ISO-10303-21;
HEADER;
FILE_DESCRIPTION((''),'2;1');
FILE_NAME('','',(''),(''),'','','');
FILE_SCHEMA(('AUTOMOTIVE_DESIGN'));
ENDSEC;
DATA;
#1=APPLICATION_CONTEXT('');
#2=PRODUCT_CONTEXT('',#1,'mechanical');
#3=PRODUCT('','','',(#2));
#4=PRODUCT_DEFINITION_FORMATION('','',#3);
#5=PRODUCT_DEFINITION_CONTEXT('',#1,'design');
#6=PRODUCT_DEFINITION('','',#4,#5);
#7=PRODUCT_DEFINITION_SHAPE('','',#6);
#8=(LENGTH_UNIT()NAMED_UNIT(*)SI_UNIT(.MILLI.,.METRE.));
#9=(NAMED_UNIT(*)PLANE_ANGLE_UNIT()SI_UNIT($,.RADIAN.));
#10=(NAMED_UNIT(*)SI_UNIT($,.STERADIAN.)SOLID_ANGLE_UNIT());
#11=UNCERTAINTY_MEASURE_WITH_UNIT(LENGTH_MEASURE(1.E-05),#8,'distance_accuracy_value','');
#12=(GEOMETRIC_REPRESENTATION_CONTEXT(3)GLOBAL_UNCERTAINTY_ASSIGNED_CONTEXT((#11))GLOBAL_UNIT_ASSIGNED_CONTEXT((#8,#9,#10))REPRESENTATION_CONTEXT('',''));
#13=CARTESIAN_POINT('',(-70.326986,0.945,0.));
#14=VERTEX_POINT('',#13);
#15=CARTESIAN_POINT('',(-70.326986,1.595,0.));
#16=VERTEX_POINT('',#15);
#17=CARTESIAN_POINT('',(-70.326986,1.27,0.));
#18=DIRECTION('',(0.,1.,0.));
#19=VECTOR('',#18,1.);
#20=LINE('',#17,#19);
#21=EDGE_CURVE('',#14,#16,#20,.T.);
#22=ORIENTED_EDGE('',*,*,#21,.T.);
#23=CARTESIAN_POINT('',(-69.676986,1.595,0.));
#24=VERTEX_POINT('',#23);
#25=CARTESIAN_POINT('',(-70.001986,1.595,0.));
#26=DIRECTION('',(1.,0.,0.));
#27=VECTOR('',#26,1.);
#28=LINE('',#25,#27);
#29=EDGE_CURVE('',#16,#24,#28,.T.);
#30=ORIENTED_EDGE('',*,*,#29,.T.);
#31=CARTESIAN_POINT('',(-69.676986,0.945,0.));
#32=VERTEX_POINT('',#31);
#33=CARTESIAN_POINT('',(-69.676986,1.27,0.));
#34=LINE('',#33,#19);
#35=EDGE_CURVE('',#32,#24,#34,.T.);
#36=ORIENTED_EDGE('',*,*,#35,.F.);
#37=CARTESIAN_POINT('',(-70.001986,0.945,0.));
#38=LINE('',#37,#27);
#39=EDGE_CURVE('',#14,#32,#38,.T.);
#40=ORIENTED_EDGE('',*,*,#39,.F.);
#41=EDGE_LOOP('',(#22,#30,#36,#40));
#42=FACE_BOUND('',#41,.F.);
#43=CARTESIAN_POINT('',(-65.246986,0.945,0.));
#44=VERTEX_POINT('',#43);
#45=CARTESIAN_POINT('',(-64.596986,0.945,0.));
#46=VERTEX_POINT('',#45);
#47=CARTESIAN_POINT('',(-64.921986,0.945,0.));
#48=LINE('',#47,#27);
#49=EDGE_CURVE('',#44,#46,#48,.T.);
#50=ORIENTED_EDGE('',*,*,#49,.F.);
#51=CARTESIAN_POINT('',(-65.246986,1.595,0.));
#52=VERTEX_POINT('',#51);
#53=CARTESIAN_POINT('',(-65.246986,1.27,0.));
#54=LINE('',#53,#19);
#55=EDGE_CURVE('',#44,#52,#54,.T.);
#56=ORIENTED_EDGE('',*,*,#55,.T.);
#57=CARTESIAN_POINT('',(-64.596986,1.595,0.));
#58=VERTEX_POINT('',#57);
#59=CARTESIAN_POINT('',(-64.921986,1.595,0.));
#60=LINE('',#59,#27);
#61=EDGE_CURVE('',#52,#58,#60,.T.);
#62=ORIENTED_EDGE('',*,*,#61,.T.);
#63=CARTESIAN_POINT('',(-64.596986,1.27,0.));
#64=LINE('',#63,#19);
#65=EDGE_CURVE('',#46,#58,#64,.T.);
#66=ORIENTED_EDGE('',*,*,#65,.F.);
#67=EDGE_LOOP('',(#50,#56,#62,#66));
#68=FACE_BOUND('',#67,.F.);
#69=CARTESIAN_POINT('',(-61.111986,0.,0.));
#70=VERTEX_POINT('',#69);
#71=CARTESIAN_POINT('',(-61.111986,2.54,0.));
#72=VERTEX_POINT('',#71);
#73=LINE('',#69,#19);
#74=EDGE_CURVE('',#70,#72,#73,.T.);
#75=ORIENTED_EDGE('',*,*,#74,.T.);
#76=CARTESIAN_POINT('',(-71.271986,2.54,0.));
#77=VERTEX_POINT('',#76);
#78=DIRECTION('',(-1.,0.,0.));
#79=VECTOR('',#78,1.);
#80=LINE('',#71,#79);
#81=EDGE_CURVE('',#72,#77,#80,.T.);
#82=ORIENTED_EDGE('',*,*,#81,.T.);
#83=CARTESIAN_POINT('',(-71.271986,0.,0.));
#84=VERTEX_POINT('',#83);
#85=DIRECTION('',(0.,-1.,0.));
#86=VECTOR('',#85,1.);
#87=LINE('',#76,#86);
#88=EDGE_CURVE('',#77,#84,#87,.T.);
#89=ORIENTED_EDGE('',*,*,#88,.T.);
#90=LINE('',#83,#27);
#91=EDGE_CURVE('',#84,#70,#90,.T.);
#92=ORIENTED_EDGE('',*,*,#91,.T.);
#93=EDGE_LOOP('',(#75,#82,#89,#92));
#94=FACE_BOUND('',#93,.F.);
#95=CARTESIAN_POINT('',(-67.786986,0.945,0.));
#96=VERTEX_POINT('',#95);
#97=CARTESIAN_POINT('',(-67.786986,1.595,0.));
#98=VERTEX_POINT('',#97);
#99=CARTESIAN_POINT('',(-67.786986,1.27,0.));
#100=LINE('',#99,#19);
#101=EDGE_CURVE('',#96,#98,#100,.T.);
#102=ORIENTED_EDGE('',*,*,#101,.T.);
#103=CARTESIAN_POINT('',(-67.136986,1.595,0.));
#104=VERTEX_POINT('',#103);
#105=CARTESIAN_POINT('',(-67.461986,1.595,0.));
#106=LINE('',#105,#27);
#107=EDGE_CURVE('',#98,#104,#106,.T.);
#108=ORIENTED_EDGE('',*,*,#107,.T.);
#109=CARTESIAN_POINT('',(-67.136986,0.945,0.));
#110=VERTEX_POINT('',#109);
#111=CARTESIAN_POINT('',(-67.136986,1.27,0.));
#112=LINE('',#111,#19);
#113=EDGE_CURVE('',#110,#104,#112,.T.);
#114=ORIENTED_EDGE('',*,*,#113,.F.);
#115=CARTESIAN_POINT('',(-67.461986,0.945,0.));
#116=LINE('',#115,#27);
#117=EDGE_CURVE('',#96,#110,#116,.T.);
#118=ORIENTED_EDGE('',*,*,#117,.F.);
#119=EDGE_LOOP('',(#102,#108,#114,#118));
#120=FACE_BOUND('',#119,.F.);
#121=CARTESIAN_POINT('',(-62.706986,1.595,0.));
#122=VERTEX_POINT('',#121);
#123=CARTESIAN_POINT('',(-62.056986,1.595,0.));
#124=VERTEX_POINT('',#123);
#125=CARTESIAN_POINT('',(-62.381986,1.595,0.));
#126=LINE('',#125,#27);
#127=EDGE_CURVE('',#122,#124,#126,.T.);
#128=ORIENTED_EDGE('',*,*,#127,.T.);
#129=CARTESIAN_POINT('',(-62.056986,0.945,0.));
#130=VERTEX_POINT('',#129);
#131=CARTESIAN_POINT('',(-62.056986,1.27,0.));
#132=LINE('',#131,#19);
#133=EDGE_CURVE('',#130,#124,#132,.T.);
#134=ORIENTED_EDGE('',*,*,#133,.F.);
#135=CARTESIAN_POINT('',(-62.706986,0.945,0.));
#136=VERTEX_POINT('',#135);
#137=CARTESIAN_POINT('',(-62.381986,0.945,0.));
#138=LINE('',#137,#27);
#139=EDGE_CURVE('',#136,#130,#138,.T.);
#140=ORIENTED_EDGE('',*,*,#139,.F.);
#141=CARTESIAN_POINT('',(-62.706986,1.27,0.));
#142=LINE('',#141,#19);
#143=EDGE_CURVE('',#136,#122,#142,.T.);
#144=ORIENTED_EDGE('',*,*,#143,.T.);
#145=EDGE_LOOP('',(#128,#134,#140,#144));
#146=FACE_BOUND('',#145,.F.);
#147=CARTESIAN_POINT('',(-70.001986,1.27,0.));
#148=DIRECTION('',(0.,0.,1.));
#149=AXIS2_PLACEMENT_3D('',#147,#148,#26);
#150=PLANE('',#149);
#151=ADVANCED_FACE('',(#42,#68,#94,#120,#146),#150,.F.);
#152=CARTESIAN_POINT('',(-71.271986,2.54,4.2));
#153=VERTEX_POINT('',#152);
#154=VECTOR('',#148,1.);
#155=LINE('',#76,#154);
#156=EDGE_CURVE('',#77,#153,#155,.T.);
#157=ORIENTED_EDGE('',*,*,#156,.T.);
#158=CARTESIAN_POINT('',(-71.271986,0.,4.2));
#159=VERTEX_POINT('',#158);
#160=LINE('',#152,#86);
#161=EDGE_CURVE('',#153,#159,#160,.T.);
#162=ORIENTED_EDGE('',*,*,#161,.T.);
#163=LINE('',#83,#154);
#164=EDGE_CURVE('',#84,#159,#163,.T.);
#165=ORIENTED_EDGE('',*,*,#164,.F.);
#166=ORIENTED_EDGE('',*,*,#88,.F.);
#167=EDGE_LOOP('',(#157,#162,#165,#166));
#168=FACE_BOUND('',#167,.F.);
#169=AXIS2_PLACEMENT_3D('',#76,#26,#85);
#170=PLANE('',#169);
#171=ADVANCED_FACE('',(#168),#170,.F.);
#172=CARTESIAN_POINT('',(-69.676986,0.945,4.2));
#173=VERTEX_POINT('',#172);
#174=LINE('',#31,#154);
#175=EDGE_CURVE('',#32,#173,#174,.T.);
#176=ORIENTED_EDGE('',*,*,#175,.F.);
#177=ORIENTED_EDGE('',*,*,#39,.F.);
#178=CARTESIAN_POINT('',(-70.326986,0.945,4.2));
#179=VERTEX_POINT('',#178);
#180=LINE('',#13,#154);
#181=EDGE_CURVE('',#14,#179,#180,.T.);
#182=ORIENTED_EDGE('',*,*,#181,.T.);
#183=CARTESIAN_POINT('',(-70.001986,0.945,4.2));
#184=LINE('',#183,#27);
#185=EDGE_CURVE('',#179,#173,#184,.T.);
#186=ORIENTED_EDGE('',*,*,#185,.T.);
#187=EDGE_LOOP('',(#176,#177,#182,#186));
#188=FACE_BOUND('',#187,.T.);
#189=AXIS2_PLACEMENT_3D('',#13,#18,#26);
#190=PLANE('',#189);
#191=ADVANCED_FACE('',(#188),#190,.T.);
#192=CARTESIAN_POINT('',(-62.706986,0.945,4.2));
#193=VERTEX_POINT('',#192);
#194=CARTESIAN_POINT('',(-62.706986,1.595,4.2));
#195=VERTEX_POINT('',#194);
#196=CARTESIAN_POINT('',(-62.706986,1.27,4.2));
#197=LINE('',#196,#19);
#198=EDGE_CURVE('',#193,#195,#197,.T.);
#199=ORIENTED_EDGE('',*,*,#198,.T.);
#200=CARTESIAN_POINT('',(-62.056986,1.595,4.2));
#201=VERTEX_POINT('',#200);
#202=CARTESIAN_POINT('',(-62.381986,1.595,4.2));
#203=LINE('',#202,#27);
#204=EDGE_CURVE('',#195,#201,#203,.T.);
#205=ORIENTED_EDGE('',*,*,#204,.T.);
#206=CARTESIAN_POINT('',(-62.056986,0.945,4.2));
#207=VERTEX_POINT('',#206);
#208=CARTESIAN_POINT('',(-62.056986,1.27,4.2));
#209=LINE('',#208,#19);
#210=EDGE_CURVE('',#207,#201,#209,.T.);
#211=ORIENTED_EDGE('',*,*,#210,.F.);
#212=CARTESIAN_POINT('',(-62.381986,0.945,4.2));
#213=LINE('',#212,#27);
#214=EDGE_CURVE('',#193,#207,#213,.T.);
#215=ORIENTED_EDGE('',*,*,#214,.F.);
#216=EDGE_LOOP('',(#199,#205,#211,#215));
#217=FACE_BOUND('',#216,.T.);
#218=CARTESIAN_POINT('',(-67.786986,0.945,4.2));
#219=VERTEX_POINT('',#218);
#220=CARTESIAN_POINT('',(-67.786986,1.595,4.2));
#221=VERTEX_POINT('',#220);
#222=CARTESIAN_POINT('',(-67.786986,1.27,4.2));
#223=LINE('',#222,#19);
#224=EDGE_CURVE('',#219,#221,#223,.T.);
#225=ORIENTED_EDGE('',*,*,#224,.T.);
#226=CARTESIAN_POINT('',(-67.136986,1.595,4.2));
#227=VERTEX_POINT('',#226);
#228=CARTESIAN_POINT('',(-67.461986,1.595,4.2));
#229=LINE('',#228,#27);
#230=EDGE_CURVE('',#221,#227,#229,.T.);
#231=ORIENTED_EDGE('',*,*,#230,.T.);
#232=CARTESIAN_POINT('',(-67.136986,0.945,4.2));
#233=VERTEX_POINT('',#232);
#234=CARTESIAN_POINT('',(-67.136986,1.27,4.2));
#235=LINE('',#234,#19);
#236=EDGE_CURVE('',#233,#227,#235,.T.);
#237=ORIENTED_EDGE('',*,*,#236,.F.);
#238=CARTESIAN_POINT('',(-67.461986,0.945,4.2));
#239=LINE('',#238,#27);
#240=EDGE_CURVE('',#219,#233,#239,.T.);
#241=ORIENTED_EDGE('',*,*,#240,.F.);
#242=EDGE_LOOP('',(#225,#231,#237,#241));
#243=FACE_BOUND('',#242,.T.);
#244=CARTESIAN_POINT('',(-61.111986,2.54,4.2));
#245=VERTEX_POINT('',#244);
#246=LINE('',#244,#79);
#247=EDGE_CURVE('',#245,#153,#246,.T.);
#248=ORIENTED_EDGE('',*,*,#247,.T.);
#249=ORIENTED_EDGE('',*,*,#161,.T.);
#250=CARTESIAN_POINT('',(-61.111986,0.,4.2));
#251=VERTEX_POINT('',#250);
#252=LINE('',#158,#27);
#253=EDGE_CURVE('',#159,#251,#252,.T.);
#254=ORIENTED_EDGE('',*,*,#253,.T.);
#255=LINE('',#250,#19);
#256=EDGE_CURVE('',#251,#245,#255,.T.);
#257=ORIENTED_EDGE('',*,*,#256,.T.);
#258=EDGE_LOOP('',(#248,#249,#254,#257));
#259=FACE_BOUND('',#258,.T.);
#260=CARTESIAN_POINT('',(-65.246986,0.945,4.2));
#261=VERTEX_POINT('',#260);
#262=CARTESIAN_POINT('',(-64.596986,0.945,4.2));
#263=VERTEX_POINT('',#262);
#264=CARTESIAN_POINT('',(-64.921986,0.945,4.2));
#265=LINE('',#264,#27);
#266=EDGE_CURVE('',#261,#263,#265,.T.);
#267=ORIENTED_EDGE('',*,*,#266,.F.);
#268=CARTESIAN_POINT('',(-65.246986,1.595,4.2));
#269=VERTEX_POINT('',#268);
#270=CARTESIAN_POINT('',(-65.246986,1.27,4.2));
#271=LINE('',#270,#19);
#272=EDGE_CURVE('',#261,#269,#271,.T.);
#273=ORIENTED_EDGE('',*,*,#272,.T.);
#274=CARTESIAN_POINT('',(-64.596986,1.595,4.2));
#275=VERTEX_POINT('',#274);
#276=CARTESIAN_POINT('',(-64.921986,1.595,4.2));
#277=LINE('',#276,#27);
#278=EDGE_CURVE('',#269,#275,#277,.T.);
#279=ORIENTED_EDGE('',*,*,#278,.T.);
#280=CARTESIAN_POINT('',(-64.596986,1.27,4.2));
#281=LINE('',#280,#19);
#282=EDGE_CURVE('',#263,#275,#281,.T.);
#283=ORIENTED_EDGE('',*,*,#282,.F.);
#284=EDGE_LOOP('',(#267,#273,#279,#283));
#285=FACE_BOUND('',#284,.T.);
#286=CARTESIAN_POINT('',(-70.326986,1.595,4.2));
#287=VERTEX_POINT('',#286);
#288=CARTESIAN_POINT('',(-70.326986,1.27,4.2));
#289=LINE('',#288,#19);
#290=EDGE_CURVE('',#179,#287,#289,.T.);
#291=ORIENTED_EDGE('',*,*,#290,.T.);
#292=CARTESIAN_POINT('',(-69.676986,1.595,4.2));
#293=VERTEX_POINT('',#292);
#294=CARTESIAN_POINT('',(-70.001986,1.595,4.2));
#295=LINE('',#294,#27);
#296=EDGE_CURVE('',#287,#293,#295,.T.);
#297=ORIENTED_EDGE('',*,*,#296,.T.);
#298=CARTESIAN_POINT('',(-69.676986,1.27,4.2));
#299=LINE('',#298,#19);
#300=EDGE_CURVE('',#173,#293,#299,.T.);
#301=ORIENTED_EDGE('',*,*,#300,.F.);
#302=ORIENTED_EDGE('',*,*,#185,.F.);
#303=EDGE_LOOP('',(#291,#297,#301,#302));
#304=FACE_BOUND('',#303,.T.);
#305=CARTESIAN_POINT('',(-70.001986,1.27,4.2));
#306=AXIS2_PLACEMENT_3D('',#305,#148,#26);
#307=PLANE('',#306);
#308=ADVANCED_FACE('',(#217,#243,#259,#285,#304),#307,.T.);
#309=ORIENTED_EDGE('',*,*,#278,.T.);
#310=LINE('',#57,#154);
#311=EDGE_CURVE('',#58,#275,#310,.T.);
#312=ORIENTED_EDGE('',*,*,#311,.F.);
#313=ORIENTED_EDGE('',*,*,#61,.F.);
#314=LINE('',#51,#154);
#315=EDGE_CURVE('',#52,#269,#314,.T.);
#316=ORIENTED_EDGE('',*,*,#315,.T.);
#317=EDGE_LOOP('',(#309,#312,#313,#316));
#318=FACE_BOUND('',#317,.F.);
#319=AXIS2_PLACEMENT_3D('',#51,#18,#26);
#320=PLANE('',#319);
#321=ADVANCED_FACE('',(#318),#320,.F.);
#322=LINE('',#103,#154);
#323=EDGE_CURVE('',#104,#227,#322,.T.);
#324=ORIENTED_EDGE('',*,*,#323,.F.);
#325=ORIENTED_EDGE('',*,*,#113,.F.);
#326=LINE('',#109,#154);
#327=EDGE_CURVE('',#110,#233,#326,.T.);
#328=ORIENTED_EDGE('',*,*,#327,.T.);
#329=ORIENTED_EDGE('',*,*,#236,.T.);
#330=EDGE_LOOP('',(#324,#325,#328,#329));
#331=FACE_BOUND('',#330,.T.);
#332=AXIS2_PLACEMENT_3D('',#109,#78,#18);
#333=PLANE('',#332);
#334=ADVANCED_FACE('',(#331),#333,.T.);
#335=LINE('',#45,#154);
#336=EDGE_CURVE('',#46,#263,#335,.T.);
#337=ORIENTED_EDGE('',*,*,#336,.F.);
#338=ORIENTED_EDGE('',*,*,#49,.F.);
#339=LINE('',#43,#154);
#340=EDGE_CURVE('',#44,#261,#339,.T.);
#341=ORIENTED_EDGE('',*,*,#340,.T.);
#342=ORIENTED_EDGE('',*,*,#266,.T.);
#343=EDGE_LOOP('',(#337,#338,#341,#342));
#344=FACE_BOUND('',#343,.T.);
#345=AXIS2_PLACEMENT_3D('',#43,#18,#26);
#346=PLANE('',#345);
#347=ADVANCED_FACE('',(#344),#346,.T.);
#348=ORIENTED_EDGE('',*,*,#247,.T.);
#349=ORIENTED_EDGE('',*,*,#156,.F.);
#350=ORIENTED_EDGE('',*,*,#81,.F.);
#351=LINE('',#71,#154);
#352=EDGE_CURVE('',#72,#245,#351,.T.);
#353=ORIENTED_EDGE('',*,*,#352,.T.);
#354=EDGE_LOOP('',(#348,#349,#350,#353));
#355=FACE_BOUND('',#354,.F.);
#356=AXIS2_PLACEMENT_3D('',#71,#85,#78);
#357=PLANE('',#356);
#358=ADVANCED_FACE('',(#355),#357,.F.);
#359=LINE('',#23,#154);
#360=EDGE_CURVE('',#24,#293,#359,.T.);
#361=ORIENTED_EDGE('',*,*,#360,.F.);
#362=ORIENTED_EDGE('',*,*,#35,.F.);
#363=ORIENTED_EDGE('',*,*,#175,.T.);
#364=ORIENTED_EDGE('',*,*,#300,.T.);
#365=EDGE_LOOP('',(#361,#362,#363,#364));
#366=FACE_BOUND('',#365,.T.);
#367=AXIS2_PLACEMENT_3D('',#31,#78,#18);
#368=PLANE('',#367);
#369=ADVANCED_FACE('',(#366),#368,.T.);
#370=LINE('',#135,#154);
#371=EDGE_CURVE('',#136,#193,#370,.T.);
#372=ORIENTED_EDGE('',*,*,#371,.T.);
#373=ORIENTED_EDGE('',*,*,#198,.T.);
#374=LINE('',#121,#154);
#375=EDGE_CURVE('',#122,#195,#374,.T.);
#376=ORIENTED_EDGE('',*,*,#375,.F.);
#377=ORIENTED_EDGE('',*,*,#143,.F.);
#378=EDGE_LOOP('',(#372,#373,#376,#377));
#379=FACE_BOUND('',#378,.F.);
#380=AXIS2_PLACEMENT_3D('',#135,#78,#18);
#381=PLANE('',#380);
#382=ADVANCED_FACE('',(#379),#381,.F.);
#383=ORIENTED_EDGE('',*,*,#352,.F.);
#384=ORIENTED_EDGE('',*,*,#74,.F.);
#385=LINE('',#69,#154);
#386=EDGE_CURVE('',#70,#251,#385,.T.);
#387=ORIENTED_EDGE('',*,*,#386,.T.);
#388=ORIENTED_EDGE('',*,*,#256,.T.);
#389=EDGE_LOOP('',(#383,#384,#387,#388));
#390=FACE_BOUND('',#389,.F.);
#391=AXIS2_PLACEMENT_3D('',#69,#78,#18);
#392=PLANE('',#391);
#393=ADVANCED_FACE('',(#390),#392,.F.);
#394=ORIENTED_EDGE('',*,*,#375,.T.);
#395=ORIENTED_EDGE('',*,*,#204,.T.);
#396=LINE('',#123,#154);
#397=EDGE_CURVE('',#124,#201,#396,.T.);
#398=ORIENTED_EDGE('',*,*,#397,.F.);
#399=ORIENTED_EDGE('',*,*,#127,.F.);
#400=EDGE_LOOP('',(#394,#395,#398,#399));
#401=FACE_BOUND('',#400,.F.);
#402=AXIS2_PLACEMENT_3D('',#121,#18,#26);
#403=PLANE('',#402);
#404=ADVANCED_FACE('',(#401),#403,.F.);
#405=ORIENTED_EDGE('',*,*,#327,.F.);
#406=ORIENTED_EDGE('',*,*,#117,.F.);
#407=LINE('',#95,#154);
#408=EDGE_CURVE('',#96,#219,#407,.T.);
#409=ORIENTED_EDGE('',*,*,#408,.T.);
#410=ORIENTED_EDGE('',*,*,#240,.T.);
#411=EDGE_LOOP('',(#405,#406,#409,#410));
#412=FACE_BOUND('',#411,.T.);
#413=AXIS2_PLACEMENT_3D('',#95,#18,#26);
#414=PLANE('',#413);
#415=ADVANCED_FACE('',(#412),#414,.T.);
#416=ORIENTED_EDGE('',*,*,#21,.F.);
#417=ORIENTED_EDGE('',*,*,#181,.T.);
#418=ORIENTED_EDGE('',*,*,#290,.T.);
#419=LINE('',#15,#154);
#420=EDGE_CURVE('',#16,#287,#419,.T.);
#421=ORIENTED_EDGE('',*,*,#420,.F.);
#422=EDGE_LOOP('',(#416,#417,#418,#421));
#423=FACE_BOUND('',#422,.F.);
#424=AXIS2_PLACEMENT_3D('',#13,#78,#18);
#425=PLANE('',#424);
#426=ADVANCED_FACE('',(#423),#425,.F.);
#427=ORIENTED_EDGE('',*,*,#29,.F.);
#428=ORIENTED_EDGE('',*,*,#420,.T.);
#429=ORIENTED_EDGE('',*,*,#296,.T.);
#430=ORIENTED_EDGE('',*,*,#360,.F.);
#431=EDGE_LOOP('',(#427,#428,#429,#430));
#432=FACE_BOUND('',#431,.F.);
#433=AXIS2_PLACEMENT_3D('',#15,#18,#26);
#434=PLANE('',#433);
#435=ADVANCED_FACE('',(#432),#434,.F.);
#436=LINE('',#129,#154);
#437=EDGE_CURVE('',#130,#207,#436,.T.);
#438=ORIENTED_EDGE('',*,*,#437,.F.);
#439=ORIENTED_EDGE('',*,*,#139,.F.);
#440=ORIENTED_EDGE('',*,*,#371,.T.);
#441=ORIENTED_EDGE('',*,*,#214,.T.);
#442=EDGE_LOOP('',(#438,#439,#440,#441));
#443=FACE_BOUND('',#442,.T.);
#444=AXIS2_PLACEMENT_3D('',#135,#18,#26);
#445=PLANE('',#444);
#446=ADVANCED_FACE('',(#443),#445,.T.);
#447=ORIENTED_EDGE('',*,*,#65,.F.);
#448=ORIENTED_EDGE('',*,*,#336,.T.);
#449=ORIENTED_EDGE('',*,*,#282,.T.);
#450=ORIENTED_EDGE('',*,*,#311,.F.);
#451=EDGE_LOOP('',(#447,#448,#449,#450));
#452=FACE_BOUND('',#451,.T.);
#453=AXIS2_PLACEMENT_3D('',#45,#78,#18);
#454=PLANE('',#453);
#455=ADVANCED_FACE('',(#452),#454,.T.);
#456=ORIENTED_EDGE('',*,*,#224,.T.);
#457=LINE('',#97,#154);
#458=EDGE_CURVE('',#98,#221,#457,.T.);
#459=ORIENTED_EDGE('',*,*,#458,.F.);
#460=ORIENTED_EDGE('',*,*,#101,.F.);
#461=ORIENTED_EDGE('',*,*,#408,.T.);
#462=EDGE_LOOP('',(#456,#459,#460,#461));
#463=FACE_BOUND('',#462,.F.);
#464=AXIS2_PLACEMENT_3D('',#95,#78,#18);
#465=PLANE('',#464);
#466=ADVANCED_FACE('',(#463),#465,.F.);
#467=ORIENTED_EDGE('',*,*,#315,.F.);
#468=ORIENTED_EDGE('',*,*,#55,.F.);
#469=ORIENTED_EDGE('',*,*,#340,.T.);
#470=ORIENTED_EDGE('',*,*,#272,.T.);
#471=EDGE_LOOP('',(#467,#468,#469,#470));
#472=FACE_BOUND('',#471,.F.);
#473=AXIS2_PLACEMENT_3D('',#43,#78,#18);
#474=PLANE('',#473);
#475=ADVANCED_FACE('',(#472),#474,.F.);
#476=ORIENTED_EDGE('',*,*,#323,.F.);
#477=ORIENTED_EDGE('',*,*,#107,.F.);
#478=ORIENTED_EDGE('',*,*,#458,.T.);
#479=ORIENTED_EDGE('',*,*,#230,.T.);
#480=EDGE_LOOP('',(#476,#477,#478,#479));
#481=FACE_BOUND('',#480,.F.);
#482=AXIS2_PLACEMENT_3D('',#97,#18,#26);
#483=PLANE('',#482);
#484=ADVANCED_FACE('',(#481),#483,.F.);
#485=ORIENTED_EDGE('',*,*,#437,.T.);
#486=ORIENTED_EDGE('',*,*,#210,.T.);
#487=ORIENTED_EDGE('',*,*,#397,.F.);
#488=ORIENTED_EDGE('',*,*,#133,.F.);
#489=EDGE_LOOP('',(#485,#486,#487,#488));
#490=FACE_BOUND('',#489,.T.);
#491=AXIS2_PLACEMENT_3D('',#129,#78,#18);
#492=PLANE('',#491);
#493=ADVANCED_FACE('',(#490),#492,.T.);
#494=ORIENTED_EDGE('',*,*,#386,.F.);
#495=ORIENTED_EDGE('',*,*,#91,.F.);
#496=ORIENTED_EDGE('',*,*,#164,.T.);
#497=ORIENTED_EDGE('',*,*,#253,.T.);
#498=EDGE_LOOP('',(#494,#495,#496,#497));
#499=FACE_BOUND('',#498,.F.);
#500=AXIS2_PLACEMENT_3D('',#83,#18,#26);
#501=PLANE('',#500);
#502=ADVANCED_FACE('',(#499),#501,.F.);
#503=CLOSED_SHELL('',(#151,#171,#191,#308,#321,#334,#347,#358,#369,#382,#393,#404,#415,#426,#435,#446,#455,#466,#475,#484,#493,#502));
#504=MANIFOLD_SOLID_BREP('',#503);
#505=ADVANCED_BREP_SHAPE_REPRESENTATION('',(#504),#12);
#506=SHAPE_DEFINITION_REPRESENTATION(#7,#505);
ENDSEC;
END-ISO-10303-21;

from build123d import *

# Parameters (mm, degrees)
F0_W     = 0.65
F0_H     = 0.65
F1_DEPTH = 4.2


with BuildPart() as f1:
    # F0 (on Top) → F1 (new body)
    with BuildSketch(Plane.XY):
        Polygon((-71.271986, 0), (-68.731986, 0), (-68.731986, 0.4), (-68.731986, 1.6), (-68.731986, 2.54), (-71.271986, 2.54), align=None)
        with Locations((-70.001986, 1.27)):
            Rectangle(F0_W, F0_H, mode=Mode.SUBTRACT)
        Polygon((-68.731986, 0.4), (-68.731986, 0), (-66.191986, 0), (-66.191986, 0.4), (-66.191986, 1.6), (-66.191986, 2.54), (-68.731986, 2.54), (-68.731986, 1.6), align=None)
        with Locations((-67.461986, 1.27)):
            Rectangle(F0_W, F0_H, mode=Mode.SUBTRACT)
        Polygon((-66.191986, 0.4), (-66.191986, 0), (-63.651986, 0), (-63.651986, 0.4), (-63.651986, 1.6), (-63.651986, 2.54), (-66.191986, 2.54), (-66.191986, 1.6), align=None)
        with Locations((-64.921986, 1.27)):
            Rectangle(F0_W, F0_H, mode=Mode.SUBTRACT)
        Polygon((-63.651986, 0.4), (-63.651986, 0), (-61.111986, 0), (-61.111986, 0.4), (-61.111986, 1.6), (-61.111986, 2.54), (-63.651986, 2.54), (-63.651986, 1.6), align=None)
        with Locations((-62.381986, 1.27)):
            Rectangle(F0_W, F0_H, mode=Mode.SUBTRACT)
    extrude(amount=F1_DEPTH)


solid = f1.part
